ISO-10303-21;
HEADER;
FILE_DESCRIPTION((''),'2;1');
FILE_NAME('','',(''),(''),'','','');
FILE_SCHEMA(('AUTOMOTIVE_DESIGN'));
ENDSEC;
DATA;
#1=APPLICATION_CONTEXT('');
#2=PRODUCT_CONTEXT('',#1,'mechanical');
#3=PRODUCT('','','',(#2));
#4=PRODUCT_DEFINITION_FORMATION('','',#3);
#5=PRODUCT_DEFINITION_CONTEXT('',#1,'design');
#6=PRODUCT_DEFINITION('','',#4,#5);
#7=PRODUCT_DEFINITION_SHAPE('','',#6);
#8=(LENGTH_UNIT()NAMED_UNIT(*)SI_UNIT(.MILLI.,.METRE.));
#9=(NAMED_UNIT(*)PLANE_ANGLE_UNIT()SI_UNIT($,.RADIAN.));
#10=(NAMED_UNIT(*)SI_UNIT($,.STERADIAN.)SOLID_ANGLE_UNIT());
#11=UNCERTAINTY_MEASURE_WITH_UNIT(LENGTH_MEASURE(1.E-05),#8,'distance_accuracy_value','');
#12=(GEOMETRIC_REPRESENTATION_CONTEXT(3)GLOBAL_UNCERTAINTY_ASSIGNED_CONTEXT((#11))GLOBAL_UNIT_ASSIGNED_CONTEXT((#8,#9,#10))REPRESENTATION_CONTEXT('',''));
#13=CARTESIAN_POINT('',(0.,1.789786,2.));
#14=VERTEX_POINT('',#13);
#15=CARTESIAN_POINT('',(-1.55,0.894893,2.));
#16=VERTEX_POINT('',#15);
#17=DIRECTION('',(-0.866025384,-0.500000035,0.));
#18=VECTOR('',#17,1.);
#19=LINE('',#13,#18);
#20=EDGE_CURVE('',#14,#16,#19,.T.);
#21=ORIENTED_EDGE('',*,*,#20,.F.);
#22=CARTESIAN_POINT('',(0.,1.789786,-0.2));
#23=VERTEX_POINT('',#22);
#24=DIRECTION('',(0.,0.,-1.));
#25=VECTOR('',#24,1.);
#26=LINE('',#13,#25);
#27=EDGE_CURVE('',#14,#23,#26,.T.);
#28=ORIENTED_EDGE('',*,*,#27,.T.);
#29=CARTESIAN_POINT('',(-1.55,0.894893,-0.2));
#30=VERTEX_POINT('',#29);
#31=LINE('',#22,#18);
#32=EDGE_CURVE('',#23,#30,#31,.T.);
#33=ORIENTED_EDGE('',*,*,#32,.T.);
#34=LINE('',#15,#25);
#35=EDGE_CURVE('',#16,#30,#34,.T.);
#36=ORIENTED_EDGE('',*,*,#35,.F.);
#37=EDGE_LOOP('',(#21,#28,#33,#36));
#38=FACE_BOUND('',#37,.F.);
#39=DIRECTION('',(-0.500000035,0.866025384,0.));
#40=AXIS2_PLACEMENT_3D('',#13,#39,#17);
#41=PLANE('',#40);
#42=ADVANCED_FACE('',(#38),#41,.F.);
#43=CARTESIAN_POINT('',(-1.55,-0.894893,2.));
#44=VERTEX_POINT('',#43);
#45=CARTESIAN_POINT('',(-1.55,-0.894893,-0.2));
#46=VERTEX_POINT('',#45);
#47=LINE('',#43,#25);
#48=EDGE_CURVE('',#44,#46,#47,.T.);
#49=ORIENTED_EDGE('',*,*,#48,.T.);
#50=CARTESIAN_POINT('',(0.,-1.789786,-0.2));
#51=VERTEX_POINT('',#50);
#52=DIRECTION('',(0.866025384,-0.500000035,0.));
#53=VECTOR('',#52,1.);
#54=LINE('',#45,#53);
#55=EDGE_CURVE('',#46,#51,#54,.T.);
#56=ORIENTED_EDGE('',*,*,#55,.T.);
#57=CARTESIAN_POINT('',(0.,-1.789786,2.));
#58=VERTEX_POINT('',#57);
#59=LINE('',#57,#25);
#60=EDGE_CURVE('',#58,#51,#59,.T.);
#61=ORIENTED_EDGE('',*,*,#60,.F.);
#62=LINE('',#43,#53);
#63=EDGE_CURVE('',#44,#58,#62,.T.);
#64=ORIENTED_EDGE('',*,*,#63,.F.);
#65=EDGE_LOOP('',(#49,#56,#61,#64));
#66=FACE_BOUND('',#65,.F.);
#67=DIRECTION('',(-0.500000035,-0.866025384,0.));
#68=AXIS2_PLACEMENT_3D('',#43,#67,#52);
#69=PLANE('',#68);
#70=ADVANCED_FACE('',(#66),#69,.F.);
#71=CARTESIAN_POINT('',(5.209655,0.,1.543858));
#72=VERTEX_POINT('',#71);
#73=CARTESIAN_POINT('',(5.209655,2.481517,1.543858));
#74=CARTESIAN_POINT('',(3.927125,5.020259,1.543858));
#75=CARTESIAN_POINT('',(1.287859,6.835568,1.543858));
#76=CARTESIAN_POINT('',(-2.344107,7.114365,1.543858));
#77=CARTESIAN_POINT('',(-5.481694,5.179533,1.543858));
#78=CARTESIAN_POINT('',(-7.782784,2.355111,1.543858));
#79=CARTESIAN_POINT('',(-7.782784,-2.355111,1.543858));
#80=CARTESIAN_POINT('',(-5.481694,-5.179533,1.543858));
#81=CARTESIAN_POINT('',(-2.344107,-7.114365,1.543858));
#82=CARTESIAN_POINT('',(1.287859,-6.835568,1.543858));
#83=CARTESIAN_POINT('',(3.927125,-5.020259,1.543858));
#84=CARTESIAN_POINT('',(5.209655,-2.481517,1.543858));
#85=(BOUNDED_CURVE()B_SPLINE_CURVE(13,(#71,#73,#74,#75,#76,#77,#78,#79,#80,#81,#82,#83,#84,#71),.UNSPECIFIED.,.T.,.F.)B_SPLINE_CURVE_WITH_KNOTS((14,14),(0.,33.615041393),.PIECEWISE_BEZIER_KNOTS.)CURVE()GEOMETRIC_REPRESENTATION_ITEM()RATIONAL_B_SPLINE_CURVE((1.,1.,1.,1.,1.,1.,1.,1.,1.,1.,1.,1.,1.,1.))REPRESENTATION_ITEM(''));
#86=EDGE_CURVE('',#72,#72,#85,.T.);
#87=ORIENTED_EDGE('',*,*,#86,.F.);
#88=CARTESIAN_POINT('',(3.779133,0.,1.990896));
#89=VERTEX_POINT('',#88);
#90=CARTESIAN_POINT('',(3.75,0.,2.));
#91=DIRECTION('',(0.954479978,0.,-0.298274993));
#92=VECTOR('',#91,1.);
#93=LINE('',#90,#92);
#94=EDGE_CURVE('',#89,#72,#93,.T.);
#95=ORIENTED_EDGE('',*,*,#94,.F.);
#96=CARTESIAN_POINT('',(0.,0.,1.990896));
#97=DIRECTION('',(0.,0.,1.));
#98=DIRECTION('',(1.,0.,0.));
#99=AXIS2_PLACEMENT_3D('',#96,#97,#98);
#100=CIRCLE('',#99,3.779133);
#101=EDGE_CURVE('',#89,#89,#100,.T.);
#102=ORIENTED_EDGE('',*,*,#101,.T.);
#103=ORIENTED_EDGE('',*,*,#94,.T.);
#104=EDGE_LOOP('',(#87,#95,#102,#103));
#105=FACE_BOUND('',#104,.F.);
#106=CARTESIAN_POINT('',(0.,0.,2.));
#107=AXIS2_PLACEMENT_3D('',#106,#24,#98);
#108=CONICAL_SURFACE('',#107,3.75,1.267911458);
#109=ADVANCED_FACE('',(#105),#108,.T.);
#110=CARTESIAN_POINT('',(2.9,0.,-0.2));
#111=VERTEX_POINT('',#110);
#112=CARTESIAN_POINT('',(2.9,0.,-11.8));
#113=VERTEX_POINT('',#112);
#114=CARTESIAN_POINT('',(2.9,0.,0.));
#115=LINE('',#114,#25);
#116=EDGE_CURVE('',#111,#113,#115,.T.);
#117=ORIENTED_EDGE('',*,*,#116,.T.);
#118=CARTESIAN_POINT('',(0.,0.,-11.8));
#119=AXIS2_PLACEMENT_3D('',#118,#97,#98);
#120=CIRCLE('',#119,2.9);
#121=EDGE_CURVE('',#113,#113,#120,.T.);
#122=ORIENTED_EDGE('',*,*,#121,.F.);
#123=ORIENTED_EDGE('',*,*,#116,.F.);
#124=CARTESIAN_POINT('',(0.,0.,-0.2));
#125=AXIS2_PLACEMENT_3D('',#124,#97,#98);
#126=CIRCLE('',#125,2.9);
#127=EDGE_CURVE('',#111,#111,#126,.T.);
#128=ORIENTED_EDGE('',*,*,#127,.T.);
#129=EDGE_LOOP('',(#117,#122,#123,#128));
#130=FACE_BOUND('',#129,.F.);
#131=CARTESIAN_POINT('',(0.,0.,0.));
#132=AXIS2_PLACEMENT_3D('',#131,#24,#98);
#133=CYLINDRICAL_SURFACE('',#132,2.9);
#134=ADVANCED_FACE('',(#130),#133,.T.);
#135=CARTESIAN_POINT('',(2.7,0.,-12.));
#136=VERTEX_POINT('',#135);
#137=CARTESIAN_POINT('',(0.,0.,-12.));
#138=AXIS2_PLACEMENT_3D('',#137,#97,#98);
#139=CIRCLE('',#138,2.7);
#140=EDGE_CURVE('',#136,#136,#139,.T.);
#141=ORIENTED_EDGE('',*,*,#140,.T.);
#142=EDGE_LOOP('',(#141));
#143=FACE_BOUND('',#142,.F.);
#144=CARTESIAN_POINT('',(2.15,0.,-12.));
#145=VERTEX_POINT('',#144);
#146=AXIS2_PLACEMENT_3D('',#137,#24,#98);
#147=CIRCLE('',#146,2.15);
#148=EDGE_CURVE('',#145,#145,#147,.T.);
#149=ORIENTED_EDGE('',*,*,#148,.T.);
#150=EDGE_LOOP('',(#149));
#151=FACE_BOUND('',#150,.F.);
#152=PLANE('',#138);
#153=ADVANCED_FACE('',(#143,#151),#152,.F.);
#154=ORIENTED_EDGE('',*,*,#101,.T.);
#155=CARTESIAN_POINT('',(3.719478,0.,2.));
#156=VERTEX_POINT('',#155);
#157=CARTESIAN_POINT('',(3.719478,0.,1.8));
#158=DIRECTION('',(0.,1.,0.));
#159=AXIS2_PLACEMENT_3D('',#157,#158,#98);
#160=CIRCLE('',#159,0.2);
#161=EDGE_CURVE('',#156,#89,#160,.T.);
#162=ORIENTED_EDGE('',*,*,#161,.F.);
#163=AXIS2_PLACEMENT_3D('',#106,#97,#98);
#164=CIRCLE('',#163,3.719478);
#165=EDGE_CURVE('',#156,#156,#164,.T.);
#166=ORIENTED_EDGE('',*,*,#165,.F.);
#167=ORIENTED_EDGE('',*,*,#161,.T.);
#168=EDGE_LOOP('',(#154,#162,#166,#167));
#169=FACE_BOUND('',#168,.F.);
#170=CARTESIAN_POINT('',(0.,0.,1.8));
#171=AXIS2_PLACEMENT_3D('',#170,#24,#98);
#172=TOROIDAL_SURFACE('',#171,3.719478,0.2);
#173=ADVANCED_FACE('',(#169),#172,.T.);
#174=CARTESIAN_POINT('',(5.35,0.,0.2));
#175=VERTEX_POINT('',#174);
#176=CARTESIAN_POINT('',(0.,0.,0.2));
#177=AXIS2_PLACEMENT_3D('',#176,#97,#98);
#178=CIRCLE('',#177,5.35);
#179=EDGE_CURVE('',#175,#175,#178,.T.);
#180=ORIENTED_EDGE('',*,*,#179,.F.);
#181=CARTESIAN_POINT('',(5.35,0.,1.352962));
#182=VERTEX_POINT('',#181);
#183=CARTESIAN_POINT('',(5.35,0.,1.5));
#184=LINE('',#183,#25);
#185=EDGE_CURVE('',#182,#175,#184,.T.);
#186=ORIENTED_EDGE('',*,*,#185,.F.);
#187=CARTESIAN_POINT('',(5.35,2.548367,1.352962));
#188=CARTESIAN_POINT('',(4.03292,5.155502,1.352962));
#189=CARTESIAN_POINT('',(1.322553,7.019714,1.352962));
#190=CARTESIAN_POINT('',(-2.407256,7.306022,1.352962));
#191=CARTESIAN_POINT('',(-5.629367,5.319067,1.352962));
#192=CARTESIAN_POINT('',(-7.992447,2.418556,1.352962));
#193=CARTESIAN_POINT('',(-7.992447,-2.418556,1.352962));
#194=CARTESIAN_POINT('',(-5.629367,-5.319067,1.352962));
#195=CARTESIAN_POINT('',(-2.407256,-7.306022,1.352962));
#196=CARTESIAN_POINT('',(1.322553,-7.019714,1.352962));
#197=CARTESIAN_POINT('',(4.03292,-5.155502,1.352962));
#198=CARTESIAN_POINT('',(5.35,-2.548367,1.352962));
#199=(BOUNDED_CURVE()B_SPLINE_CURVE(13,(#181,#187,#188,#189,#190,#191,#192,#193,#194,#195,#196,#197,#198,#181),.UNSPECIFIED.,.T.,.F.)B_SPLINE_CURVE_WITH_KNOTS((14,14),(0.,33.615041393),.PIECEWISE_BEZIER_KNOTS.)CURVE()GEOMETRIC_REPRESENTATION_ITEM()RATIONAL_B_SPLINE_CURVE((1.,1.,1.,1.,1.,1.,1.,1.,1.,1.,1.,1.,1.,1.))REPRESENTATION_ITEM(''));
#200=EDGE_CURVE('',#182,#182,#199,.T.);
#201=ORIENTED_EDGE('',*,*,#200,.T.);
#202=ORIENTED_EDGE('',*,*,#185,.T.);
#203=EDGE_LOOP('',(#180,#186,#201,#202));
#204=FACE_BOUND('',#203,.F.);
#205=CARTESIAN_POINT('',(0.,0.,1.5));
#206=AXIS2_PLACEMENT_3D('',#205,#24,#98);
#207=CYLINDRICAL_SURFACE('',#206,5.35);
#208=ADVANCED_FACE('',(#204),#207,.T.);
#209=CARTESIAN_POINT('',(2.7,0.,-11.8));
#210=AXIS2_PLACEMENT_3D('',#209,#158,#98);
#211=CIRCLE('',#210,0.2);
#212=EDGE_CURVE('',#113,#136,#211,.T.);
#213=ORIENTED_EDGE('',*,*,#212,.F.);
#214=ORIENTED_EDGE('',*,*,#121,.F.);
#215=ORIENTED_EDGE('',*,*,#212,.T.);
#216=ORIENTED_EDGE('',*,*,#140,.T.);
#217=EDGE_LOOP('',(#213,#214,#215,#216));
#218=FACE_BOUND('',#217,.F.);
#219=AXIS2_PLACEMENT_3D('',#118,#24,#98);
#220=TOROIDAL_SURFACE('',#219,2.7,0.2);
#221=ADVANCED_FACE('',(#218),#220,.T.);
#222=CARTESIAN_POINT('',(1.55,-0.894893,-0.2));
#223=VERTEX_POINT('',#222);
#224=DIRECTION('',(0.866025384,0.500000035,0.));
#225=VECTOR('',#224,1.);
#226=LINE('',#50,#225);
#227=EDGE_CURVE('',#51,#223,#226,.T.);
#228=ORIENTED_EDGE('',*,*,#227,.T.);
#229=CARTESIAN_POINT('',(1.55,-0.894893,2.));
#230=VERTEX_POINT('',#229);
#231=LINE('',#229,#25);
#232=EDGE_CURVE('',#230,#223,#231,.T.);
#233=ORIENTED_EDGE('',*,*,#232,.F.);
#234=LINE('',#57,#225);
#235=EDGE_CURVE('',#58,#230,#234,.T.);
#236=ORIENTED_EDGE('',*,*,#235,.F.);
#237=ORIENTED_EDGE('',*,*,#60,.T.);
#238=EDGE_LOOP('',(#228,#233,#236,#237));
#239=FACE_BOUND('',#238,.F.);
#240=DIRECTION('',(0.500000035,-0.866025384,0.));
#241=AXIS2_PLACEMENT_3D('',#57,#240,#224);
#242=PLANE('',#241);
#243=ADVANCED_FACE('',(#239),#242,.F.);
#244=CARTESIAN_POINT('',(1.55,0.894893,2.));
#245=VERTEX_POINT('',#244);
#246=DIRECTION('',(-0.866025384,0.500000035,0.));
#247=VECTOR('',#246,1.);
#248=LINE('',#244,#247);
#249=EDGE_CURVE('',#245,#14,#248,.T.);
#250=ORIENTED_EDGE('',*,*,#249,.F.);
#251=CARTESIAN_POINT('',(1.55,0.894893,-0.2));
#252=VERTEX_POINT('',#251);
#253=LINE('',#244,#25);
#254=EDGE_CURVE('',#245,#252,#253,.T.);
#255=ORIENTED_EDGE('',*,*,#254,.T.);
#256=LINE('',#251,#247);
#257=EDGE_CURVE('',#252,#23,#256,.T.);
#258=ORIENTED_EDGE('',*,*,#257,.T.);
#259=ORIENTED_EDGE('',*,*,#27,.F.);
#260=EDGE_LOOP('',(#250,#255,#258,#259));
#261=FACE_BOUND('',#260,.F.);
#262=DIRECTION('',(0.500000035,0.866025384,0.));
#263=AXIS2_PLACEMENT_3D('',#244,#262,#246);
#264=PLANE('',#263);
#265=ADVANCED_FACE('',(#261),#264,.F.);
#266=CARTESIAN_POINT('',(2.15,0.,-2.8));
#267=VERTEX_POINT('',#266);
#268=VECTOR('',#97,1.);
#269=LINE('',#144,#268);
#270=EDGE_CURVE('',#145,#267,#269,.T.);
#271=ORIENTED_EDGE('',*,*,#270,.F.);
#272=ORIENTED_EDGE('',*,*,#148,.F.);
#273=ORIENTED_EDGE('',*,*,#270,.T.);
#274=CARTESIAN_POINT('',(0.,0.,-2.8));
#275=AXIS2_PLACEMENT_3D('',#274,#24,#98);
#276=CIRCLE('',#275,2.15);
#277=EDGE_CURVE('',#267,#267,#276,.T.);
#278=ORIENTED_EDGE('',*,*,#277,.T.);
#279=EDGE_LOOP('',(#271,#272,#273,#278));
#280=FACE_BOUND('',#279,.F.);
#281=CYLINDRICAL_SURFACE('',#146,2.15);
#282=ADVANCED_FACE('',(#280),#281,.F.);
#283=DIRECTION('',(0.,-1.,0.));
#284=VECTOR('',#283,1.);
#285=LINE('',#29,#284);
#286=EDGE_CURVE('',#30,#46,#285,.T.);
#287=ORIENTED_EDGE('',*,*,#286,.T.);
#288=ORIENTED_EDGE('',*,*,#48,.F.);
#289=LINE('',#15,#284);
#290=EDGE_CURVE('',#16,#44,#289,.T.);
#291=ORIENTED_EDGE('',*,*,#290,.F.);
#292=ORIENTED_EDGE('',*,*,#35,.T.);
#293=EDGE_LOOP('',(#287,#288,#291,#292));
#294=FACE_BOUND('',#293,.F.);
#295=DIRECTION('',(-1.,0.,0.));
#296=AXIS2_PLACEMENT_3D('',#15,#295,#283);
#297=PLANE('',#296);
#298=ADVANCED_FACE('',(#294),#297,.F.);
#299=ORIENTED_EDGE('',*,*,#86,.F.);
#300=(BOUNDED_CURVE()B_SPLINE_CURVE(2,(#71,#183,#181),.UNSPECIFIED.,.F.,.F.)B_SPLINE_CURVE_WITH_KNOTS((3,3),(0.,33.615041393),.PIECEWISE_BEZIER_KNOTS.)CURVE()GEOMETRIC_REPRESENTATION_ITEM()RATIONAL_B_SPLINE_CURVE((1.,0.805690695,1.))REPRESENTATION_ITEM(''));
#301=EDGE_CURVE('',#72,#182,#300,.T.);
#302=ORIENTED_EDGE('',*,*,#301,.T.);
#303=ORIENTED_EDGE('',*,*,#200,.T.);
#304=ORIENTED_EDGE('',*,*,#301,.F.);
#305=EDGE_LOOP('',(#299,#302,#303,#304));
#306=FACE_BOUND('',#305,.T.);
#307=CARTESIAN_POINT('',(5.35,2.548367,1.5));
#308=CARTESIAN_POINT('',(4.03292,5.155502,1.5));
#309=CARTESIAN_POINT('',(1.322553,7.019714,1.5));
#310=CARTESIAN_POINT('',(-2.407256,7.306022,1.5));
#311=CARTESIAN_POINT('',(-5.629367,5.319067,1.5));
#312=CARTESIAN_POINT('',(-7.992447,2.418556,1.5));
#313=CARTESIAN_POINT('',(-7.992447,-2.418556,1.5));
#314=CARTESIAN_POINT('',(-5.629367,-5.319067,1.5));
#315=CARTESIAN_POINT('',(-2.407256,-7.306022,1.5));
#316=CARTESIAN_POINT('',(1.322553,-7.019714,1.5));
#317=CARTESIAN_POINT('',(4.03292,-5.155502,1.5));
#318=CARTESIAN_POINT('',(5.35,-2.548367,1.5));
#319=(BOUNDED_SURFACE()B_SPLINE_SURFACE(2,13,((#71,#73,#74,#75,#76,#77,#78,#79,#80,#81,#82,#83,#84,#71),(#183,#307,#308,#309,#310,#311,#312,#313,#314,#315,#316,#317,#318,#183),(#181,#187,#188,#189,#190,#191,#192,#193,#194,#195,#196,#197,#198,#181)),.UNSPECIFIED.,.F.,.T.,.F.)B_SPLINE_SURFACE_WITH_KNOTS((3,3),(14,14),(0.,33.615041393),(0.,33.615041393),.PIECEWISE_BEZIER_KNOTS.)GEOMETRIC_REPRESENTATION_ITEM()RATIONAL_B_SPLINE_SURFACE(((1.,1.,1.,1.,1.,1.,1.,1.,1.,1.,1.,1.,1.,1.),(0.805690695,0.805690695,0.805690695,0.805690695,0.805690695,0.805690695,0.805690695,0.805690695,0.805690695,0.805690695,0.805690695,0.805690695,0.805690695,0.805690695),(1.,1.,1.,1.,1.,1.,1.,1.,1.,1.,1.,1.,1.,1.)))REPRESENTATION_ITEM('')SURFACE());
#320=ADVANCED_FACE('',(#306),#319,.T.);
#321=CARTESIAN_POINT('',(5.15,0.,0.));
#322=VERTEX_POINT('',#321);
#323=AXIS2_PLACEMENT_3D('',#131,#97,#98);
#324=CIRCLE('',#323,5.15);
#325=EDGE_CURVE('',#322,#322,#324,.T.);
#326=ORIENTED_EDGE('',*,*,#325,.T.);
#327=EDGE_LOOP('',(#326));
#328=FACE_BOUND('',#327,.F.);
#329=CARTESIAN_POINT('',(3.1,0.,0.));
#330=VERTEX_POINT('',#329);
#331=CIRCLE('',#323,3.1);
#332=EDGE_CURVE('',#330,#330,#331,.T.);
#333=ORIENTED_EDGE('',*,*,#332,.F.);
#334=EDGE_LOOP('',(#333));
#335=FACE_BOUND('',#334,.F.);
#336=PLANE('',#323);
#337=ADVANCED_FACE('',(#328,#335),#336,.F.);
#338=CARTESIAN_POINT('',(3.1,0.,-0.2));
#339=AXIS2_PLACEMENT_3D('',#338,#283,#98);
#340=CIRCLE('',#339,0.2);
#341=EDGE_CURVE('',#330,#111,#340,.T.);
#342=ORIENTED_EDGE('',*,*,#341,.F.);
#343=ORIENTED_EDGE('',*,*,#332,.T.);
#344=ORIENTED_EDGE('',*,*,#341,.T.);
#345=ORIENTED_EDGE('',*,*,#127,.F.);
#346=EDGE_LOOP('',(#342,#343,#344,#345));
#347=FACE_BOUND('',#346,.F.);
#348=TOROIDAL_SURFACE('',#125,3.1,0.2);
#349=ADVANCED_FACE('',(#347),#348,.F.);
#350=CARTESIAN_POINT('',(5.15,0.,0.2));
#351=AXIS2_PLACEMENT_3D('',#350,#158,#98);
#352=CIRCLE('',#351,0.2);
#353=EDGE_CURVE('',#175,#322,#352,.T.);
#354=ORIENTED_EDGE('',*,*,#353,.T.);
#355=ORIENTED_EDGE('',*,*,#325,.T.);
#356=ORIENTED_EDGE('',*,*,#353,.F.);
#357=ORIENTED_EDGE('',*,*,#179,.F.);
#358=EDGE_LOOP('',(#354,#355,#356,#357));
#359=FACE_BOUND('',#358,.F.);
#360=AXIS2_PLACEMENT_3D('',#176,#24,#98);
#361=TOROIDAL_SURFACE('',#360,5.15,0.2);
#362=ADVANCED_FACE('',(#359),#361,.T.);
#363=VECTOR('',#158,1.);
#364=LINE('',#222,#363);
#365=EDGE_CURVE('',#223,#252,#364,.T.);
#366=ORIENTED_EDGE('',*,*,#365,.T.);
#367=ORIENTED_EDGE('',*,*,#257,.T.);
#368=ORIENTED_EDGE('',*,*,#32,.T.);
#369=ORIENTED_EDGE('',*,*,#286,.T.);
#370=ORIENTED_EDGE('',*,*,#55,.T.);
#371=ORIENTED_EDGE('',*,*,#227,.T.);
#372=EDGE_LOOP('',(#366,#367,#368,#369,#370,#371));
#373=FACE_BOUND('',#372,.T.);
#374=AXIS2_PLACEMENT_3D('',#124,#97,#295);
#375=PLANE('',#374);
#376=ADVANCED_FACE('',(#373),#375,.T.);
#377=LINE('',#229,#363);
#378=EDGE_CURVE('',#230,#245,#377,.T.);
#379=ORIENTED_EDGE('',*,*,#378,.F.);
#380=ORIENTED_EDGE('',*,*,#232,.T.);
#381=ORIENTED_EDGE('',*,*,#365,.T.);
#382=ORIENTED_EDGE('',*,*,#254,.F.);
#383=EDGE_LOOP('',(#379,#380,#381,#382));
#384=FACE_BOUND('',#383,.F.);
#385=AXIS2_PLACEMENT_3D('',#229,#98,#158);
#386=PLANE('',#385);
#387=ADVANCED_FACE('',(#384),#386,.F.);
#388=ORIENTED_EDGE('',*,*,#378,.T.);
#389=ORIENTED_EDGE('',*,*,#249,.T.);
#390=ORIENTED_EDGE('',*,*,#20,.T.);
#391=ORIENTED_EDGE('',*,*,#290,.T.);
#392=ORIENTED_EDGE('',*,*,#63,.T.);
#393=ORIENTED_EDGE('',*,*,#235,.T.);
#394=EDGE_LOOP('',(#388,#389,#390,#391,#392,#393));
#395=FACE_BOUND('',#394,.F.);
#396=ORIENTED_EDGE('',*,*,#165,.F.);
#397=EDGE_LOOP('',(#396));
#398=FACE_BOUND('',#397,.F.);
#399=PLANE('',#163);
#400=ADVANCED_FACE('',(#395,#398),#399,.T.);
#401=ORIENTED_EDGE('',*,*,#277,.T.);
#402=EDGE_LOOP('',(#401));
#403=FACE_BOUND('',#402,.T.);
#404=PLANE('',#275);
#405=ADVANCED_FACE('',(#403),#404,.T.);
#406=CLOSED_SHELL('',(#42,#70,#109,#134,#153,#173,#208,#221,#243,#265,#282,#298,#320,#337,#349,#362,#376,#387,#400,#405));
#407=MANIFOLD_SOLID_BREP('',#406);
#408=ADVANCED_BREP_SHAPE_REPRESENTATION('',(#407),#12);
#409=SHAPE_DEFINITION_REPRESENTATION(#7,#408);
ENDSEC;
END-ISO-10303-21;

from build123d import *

# Parameters (mm, degrees)
SKETCH001_R     = 2.15
POCKET_DEPTH    = 9.2
POCKET001_DEPTH = 2.2
FILLET_R        = 0.2


with BuildPart() as part:
    # Sketch → Revolution (revolve)
    with BuildSketch(Plane.XZ):
        Polygon((0, -12), (0, 2), (3.75, 2), (5.35, 1.5), (5.35, 0), (2.9, 0), (2.9, -12), align=None)
    revolve(axis=Axis((0, 0, 0), (0, 0, 1)))

    # Sketch001 (on Face6 of Revolution) → Pocket (cut)
    with BuildSketch(Plane(origin=(0, 0, -12), x_dir=(1, 0, 0), z_dir=(0, 0, -1))):
        Circle(SKETCH001_R)
    extrude(amount=-POCKET_DEPTH, mode=Mode.SUBTRACT)

    # Sketch002 (on Face1 of Pocket) → Pocket001 (cut)
    with BuildSketch(Plane(origin=(0, 0, 2), x_dir=(-1, 0, 0), z_dir=(0, 0, 1))):
        Polygon((1.55, 0.894893), (0, 1.789786), (-1.55, 0.894893), (-1.55, -0.894893), (0, -1.789786), (1.55, -0.894893), align=None)
    extrude(amount=-POCKET001_DEPTH, mode=Mode.SUBTRACT)

    # Fillet
    fillet_edges = [part.edges().sort_by_distance(p)[0] for p in [
        (-5.35, 0, 0),
        (-5.35, 0, 1.5),
        (-3.75, 0, 2),
        (-2.9, 0, -12),
        (-2.9, 0, 0),
    ]]
    fillet(fillet_edges, radius=FILLET_R)


solid = part.part
